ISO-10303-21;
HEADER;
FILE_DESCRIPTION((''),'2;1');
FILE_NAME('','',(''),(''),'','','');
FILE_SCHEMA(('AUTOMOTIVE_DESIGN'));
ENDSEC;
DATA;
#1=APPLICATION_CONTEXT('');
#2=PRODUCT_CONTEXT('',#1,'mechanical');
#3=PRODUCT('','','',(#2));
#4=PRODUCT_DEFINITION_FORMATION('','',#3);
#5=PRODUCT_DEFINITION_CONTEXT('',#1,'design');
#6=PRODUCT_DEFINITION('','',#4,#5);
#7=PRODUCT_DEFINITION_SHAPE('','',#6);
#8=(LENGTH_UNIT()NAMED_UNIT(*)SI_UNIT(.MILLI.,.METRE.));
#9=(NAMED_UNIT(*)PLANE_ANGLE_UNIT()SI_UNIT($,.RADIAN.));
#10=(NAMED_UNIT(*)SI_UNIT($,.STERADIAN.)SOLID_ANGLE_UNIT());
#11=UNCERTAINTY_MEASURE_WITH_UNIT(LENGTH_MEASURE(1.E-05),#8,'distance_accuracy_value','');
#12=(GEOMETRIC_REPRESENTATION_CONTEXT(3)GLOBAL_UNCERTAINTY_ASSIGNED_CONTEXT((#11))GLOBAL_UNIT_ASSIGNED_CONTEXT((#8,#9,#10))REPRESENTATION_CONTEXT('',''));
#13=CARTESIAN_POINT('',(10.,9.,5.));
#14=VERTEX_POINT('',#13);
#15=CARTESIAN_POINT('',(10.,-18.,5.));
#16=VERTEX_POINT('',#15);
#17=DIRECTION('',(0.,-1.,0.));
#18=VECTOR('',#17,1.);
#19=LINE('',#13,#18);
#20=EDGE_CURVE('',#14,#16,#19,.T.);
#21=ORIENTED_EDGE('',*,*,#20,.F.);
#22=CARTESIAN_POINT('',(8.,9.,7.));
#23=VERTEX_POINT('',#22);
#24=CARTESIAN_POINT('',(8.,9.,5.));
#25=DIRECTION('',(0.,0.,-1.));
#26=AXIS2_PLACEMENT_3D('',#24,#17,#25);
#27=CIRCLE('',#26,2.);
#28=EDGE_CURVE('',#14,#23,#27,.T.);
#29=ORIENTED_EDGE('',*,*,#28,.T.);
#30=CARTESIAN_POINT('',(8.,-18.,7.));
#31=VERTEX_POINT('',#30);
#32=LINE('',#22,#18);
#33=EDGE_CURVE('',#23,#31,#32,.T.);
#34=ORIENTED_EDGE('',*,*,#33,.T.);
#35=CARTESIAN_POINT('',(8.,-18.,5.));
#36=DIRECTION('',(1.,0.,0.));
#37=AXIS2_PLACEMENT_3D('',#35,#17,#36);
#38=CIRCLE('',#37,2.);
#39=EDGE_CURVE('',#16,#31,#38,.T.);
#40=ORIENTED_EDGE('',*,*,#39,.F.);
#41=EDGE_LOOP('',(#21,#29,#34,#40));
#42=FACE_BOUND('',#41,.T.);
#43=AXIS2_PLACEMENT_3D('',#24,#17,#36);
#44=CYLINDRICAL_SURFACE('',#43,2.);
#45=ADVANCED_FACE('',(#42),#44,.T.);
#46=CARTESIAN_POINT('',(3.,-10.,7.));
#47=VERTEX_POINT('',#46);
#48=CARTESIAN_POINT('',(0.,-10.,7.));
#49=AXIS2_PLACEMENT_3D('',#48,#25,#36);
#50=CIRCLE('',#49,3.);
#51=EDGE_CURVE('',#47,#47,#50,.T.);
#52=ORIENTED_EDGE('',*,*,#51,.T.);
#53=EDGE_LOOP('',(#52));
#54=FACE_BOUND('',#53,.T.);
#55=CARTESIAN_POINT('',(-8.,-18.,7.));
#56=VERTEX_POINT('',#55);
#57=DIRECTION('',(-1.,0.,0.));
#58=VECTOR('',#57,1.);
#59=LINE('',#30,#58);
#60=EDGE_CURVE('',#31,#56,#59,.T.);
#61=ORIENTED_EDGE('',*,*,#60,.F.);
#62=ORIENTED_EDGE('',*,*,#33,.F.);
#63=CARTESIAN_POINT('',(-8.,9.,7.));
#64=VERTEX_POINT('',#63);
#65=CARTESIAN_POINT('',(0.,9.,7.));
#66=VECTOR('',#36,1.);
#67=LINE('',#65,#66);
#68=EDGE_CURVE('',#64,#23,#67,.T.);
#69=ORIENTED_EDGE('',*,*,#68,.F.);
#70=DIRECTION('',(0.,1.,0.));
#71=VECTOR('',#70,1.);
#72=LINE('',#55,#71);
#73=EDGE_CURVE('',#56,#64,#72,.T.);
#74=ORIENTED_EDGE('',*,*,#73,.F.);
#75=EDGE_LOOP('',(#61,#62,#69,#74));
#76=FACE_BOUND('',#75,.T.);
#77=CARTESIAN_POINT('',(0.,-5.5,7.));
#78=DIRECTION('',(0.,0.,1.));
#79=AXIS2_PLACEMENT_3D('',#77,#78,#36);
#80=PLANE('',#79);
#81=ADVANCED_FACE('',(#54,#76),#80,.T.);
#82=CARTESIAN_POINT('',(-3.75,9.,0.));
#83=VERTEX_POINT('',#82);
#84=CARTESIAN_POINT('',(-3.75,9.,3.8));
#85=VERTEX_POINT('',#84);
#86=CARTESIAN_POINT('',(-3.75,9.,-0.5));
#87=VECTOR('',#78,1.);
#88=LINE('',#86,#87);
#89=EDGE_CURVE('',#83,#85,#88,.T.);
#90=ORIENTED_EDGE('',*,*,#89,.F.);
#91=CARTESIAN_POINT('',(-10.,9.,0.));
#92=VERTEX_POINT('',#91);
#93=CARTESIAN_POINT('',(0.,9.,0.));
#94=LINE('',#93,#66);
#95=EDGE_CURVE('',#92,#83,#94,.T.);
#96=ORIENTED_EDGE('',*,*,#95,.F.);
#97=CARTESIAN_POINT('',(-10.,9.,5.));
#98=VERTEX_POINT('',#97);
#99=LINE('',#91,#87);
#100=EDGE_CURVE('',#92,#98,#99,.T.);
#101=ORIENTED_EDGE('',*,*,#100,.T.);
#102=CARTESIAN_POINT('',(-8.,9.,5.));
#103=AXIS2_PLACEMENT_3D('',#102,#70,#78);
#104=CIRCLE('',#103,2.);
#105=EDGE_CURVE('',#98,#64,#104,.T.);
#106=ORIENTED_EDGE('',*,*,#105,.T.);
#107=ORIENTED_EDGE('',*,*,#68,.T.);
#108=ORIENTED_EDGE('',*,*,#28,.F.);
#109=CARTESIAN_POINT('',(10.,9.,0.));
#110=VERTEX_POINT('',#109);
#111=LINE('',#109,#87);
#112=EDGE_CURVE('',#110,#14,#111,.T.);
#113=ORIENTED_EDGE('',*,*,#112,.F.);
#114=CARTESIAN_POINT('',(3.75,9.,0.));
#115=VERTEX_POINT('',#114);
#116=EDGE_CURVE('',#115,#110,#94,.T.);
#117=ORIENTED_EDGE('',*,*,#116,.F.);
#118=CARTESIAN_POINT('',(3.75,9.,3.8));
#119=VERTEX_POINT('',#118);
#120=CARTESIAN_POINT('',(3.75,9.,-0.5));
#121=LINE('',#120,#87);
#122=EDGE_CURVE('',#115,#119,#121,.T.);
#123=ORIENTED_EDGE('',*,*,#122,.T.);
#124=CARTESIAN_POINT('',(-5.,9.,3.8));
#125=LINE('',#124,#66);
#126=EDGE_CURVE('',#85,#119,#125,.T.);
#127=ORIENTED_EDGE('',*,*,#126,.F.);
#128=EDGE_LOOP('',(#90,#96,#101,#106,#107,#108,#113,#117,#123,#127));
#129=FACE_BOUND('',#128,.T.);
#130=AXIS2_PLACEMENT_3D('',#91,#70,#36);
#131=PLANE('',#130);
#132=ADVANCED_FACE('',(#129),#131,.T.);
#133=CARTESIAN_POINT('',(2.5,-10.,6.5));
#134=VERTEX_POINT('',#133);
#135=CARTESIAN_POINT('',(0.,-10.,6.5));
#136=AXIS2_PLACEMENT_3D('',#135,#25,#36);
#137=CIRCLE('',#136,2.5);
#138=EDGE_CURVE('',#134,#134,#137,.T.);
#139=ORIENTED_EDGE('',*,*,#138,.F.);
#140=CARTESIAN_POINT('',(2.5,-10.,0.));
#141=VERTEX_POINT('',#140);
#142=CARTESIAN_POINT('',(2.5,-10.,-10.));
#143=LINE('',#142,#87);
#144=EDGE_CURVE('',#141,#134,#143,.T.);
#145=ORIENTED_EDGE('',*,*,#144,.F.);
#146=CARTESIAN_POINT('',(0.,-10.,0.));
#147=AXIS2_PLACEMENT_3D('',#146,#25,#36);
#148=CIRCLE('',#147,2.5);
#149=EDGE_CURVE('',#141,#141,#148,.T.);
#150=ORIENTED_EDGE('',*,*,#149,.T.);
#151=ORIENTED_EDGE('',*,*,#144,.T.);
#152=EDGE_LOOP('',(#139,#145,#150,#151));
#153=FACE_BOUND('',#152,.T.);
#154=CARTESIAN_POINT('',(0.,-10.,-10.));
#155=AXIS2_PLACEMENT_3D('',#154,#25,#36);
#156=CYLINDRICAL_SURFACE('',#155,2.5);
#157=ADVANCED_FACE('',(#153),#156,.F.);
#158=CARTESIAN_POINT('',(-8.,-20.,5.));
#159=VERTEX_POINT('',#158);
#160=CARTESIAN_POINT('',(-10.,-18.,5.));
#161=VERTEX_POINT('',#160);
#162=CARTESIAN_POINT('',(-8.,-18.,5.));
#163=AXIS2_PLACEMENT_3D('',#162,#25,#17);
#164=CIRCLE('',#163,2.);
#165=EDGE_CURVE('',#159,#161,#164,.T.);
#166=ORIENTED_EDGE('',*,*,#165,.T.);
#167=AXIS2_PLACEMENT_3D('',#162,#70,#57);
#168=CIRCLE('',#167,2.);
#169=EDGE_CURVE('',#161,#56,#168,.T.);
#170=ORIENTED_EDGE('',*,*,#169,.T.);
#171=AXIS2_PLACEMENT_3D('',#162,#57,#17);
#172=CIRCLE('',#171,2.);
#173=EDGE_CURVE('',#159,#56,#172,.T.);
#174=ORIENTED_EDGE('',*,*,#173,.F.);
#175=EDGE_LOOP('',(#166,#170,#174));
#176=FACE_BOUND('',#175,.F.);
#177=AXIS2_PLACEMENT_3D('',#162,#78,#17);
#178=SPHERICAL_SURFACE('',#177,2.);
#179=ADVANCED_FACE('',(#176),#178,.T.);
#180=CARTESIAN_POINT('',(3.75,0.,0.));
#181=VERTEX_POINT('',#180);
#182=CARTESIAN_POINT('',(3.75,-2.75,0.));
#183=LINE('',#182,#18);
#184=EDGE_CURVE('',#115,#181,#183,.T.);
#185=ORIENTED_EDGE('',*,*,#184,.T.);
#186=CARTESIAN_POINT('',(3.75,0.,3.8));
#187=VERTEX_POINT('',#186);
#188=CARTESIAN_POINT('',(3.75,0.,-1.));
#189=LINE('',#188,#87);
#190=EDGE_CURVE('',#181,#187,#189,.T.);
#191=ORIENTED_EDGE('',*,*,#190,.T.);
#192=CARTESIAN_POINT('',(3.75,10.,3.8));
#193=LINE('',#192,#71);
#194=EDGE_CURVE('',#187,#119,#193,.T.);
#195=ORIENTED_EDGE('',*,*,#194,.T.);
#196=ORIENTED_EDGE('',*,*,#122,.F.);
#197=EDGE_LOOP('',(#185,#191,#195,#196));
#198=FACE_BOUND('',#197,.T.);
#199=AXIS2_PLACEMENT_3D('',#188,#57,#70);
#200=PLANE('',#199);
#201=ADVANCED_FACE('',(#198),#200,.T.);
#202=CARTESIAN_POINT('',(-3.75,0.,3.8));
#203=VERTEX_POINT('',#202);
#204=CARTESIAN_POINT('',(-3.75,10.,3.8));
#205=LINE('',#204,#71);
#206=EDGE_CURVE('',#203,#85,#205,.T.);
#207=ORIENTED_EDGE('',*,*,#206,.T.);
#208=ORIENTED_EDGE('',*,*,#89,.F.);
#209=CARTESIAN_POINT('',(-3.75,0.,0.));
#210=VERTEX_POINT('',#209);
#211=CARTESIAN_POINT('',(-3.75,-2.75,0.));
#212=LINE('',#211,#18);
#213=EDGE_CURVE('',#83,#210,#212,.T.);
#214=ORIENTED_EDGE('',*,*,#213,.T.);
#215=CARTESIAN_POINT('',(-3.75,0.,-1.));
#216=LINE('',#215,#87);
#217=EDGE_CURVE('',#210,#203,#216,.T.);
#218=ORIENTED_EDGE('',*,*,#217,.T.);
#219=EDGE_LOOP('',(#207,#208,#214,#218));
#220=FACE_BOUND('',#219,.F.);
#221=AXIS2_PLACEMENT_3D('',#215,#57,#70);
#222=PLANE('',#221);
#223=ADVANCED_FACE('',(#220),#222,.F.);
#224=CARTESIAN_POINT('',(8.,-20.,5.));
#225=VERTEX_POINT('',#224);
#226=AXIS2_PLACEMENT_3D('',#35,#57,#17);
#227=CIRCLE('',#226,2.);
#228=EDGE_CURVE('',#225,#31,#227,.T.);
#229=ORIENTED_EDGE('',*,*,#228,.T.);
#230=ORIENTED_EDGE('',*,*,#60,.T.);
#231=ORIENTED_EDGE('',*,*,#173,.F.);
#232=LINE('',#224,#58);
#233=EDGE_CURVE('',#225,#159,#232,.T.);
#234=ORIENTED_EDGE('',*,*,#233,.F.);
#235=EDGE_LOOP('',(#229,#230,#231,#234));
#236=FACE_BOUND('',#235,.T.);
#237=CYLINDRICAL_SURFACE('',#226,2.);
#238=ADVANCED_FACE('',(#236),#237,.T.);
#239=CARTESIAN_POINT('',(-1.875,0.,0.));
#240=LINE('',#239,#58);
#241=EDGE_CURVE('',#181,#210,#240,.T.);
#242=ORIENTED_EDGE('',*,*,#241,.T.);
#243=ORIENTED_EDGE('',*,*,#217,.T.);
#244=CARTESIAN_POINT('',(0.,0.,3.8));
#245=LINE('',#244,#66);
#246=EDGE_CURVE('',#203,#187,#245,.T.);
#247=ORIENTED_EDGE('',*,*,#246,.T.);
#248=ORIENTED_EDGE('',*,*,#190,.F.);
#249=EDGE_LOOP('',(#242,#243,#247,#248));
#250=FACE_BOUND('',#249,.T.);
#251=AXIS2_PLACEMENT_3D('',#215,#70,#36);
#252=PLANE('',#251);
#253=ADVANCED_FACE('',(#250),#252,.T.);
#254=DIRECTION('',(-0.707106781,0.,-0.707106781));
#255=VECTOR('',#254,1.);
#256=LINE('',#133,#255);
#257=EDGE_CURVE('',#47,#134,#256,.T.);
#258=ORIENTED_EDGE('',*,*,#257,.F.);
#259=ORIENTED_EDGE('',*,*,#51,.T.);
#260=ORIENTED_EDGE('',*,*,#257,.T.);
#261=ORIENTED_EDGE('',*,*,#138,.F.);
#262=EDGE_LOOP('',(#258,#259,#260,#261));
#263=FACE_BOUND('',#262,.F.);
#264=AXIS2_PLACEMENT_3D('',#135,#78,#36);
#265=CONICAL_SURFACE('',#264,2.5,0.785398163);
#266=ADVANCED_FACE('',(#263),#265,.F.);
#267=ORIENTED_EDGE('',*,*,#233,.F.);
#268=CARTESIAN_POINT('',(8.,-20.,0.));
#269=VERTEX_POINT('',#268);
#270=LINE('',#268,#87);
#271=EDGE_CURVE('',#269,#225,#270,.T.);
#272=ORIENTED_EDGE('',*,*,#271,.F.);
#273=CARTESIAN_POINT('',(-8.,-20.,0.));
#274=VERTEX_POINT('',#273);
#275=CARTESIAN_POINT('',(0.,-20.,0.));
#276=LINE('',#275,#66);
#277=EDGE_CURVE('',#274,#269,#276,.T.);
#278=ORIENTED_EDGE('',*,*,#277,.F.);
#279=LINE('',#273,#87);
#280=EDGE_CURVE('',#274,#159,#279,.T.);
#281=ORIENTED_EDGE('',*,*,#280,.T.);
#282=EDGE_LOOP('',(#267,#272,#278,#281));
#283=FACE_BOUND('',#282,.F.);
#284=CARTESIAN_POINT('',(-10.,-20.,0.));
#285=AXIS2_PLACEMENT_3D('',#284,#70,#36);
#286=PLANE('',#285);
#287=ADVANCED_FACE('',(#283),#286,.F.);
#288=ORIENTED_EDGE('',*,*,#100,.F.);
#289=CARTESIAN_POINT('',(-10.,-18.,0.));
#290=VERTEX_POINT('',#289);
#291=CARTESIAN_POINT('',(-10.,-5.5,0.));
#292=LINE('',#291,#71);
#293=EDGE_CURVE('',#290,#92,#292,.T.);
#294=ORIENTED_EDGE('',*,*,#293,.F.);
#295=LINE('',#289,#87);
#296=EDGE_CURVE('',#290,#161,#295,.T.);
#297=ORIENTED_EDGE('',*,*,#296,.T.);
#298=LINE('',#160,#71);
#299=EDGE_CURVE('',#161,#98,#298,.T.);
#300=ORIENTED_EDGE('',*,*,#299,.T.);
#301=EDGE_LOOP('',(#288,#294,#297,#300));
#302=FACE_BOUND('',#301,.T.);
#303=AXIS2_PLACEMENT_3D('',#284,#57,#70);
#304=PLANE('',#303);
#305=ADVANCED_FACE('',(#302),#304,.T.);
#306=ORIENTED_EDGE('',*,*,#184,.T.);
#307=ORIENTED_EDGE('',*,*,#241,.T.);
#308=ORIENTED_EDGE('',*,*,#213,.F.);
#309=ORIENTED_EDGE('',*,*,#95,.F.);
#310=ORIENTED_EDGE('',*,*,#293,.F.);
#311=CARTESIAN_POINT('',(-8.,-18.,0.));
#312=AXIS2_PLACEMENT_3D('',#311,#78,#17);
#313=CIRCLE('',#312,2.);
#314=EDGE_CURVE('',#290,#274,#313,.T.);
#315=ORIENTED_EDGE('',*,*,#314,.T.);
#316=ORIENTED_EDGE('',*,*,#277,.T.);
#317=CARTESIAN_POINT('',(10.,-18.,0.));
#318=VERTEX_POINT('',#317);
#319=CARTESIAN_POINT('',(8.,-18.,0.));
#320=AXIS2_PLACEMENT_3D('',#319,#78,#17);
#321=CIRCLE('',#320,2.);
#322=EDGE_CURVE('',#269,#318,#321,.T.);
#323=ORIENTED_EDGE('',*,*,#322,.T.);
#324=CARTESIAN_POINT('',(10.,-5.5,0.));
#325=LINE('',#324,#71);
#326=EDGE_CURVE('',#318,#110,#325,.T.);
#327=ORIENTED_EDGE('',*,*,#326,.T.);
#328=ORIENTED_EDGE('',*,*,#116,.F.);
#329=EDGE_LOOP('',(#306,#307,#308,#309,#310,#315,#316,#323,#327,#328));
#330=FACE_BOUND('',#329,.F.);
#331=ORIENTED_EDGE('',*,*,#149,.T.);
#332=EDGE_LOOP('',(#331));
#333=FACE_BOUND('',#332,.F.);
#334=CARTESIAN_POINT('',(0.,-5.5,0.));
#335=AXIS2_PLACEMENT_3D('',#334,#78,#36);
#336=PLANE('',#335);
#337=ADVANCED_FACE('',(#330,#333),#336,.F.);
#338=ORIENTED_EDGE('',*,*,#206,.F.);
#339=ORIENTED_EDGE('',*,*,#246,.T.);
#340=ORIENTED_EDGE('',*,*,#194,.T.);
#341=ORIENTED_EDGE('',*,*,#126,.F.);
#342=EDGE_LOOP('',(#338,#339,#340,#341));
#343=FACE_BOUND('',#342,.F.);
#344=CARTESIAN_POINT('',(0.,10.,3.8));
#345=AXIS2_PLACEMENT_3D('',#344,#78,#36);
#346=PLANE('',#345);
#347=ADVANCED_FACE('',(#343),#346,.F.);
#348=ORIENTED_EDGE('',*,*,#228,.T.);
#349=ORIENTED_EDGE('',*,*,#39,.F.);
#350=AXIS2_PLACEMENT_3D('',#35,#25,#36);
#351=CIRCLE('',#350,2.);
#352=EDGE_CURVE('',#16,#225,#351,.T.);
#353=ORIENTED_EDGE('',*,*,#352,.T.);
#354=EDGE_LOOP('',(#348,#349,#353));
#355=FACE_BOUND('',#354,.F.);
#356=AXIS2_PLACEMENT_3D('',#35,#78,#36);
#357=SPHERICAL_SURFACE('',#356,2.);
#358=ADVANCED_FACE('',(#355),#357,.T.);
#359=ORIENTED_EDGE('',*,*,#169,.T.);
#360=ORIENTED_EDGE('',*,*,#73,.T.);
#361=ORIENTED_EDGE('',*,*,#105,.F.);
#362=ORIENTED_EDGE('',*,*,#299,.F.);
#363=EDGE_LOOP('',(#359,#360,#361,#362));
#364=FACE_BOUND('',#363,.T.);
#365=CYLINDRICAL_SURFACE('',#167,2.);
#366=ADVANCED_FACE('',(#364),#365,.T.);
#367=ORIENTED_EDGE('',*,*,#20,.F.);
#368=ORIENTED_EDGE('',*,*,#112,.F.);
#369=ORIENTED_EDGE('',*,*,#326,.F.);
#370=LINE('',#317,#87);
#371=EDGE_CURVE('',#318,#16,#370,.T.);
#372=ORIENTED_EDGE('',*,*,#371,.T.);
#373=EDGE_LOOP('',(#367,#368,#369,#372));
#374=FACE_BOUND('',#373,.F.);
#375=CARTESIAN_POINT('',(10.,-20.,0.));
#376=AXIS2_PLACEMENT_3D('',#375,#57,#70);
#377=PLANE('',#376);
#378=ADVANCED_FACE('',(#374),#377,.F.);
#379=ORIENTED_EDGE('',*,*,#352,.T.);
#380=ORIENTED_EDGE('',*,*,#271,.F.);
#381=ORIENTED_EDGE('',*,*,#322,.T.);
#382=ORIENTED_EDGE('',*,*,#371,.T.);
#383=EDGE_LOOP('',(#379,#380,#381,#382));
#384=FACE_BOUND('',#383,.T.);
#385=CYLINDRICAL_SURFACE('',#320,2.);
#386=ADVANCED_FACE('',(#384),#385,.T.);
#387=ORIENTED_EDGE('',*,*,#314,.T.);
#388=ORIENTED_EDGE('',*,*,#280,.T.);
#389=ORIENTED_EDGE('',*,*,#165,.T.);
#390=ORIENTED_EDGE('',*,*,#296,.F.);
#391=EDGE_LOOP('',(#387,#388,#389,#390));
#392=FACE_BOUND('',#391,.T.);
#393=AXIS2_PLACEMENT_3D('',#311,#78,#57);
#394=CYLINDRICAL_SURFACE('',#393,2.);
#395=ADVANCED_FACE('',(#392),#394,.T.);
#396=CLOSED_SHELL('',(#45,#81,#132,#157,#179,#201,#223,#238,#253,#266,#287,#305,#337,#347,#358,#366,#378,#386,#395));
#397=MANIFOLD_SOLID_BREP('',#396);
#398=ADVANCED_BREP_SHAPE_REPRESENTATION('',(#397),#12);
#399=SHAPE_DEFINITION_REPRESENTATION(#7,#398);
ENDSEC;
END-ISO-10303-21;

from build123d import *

# Parameters (mm, degrees)
CYLINDER_R     = 2.5
CYLINDER_DEPTH = 20
BOX_W          = 7.5
BOX_H          = 20
BOX_DEPTH      = 4.8
BOX001_W       = 20
BOX001_H       = 29
BOX001_DEPTH   = 7
FILLET_R       = 2
FILLET001_R    = 2
CHAMFER_SIZE   = 0.5


with BuildPart() as cilindro:
    # Cylinder → Cylinder (new body)
    with BuildSketch(Plane(origin=(0, -10, -10), x_dir=(1, 0, 0), z_dir=(0, 0, 1))):
        Circle(CYLINDER_R)
    extrude(amount=CYLINDER_DEPTH)


with BuildPart() as riel:
    # Box → Box (new body)
    with BuildSketch(Plane(origin=(-3.75, 0, -1), x_dir=(1, 0, 0), z_dir=(0, 0, 1))):
        with Locations((3.75, 10)):
            Rectangle(BOX_W, BOX_H)
    extrude(amount=BOX_DEPTH)


with BuildPart() as chamfer_body:
    # Box001 → Box001 (new body)
    with BuildSketch(Plane(origin=(-10, -20, 0), x_dir=(1, 0, 0), z_dir=(0, 0, 1))):
        with Locations((10, 14.5)):
            Rectangle(BOX001_W, BOX001_H)
    extrude(amount=BOX001_DEPTH)

    # Cut: cut Riel
    add(riel.part, mode=Mode.SUBTRACT)

    # Cut001: cut Cilindro
    add(cilindro.part, mode=Mode.SUBTRACT)

    # Fillet
    fillet_edges = [chamfer_body.edges().sort_by_distance(p)[0] for p in [
        (-10, -20, 3.5),
        (10, -20, 3.5),
    ]]
    fillet(fillet_edges, radius=FILLET_R)

    # Fillet001
    fillet001_edges = [chamfer_body.edges().sort_by_distance(p)[0] for p in [
        (-10, -4.5, 7),
    ]]
    fillet(fillet001_edges, radius=FILLET001_R)

    # Chamfer
    chamfer_edges = [chamfer_body.edges().sort_by_distance(p)[0] for p in [
        (-2.5, -10, 7),
    ]]
    chamfer(chamfer_edges, length=CHAMFER_SIZE)


solid = chamfer_body.part
